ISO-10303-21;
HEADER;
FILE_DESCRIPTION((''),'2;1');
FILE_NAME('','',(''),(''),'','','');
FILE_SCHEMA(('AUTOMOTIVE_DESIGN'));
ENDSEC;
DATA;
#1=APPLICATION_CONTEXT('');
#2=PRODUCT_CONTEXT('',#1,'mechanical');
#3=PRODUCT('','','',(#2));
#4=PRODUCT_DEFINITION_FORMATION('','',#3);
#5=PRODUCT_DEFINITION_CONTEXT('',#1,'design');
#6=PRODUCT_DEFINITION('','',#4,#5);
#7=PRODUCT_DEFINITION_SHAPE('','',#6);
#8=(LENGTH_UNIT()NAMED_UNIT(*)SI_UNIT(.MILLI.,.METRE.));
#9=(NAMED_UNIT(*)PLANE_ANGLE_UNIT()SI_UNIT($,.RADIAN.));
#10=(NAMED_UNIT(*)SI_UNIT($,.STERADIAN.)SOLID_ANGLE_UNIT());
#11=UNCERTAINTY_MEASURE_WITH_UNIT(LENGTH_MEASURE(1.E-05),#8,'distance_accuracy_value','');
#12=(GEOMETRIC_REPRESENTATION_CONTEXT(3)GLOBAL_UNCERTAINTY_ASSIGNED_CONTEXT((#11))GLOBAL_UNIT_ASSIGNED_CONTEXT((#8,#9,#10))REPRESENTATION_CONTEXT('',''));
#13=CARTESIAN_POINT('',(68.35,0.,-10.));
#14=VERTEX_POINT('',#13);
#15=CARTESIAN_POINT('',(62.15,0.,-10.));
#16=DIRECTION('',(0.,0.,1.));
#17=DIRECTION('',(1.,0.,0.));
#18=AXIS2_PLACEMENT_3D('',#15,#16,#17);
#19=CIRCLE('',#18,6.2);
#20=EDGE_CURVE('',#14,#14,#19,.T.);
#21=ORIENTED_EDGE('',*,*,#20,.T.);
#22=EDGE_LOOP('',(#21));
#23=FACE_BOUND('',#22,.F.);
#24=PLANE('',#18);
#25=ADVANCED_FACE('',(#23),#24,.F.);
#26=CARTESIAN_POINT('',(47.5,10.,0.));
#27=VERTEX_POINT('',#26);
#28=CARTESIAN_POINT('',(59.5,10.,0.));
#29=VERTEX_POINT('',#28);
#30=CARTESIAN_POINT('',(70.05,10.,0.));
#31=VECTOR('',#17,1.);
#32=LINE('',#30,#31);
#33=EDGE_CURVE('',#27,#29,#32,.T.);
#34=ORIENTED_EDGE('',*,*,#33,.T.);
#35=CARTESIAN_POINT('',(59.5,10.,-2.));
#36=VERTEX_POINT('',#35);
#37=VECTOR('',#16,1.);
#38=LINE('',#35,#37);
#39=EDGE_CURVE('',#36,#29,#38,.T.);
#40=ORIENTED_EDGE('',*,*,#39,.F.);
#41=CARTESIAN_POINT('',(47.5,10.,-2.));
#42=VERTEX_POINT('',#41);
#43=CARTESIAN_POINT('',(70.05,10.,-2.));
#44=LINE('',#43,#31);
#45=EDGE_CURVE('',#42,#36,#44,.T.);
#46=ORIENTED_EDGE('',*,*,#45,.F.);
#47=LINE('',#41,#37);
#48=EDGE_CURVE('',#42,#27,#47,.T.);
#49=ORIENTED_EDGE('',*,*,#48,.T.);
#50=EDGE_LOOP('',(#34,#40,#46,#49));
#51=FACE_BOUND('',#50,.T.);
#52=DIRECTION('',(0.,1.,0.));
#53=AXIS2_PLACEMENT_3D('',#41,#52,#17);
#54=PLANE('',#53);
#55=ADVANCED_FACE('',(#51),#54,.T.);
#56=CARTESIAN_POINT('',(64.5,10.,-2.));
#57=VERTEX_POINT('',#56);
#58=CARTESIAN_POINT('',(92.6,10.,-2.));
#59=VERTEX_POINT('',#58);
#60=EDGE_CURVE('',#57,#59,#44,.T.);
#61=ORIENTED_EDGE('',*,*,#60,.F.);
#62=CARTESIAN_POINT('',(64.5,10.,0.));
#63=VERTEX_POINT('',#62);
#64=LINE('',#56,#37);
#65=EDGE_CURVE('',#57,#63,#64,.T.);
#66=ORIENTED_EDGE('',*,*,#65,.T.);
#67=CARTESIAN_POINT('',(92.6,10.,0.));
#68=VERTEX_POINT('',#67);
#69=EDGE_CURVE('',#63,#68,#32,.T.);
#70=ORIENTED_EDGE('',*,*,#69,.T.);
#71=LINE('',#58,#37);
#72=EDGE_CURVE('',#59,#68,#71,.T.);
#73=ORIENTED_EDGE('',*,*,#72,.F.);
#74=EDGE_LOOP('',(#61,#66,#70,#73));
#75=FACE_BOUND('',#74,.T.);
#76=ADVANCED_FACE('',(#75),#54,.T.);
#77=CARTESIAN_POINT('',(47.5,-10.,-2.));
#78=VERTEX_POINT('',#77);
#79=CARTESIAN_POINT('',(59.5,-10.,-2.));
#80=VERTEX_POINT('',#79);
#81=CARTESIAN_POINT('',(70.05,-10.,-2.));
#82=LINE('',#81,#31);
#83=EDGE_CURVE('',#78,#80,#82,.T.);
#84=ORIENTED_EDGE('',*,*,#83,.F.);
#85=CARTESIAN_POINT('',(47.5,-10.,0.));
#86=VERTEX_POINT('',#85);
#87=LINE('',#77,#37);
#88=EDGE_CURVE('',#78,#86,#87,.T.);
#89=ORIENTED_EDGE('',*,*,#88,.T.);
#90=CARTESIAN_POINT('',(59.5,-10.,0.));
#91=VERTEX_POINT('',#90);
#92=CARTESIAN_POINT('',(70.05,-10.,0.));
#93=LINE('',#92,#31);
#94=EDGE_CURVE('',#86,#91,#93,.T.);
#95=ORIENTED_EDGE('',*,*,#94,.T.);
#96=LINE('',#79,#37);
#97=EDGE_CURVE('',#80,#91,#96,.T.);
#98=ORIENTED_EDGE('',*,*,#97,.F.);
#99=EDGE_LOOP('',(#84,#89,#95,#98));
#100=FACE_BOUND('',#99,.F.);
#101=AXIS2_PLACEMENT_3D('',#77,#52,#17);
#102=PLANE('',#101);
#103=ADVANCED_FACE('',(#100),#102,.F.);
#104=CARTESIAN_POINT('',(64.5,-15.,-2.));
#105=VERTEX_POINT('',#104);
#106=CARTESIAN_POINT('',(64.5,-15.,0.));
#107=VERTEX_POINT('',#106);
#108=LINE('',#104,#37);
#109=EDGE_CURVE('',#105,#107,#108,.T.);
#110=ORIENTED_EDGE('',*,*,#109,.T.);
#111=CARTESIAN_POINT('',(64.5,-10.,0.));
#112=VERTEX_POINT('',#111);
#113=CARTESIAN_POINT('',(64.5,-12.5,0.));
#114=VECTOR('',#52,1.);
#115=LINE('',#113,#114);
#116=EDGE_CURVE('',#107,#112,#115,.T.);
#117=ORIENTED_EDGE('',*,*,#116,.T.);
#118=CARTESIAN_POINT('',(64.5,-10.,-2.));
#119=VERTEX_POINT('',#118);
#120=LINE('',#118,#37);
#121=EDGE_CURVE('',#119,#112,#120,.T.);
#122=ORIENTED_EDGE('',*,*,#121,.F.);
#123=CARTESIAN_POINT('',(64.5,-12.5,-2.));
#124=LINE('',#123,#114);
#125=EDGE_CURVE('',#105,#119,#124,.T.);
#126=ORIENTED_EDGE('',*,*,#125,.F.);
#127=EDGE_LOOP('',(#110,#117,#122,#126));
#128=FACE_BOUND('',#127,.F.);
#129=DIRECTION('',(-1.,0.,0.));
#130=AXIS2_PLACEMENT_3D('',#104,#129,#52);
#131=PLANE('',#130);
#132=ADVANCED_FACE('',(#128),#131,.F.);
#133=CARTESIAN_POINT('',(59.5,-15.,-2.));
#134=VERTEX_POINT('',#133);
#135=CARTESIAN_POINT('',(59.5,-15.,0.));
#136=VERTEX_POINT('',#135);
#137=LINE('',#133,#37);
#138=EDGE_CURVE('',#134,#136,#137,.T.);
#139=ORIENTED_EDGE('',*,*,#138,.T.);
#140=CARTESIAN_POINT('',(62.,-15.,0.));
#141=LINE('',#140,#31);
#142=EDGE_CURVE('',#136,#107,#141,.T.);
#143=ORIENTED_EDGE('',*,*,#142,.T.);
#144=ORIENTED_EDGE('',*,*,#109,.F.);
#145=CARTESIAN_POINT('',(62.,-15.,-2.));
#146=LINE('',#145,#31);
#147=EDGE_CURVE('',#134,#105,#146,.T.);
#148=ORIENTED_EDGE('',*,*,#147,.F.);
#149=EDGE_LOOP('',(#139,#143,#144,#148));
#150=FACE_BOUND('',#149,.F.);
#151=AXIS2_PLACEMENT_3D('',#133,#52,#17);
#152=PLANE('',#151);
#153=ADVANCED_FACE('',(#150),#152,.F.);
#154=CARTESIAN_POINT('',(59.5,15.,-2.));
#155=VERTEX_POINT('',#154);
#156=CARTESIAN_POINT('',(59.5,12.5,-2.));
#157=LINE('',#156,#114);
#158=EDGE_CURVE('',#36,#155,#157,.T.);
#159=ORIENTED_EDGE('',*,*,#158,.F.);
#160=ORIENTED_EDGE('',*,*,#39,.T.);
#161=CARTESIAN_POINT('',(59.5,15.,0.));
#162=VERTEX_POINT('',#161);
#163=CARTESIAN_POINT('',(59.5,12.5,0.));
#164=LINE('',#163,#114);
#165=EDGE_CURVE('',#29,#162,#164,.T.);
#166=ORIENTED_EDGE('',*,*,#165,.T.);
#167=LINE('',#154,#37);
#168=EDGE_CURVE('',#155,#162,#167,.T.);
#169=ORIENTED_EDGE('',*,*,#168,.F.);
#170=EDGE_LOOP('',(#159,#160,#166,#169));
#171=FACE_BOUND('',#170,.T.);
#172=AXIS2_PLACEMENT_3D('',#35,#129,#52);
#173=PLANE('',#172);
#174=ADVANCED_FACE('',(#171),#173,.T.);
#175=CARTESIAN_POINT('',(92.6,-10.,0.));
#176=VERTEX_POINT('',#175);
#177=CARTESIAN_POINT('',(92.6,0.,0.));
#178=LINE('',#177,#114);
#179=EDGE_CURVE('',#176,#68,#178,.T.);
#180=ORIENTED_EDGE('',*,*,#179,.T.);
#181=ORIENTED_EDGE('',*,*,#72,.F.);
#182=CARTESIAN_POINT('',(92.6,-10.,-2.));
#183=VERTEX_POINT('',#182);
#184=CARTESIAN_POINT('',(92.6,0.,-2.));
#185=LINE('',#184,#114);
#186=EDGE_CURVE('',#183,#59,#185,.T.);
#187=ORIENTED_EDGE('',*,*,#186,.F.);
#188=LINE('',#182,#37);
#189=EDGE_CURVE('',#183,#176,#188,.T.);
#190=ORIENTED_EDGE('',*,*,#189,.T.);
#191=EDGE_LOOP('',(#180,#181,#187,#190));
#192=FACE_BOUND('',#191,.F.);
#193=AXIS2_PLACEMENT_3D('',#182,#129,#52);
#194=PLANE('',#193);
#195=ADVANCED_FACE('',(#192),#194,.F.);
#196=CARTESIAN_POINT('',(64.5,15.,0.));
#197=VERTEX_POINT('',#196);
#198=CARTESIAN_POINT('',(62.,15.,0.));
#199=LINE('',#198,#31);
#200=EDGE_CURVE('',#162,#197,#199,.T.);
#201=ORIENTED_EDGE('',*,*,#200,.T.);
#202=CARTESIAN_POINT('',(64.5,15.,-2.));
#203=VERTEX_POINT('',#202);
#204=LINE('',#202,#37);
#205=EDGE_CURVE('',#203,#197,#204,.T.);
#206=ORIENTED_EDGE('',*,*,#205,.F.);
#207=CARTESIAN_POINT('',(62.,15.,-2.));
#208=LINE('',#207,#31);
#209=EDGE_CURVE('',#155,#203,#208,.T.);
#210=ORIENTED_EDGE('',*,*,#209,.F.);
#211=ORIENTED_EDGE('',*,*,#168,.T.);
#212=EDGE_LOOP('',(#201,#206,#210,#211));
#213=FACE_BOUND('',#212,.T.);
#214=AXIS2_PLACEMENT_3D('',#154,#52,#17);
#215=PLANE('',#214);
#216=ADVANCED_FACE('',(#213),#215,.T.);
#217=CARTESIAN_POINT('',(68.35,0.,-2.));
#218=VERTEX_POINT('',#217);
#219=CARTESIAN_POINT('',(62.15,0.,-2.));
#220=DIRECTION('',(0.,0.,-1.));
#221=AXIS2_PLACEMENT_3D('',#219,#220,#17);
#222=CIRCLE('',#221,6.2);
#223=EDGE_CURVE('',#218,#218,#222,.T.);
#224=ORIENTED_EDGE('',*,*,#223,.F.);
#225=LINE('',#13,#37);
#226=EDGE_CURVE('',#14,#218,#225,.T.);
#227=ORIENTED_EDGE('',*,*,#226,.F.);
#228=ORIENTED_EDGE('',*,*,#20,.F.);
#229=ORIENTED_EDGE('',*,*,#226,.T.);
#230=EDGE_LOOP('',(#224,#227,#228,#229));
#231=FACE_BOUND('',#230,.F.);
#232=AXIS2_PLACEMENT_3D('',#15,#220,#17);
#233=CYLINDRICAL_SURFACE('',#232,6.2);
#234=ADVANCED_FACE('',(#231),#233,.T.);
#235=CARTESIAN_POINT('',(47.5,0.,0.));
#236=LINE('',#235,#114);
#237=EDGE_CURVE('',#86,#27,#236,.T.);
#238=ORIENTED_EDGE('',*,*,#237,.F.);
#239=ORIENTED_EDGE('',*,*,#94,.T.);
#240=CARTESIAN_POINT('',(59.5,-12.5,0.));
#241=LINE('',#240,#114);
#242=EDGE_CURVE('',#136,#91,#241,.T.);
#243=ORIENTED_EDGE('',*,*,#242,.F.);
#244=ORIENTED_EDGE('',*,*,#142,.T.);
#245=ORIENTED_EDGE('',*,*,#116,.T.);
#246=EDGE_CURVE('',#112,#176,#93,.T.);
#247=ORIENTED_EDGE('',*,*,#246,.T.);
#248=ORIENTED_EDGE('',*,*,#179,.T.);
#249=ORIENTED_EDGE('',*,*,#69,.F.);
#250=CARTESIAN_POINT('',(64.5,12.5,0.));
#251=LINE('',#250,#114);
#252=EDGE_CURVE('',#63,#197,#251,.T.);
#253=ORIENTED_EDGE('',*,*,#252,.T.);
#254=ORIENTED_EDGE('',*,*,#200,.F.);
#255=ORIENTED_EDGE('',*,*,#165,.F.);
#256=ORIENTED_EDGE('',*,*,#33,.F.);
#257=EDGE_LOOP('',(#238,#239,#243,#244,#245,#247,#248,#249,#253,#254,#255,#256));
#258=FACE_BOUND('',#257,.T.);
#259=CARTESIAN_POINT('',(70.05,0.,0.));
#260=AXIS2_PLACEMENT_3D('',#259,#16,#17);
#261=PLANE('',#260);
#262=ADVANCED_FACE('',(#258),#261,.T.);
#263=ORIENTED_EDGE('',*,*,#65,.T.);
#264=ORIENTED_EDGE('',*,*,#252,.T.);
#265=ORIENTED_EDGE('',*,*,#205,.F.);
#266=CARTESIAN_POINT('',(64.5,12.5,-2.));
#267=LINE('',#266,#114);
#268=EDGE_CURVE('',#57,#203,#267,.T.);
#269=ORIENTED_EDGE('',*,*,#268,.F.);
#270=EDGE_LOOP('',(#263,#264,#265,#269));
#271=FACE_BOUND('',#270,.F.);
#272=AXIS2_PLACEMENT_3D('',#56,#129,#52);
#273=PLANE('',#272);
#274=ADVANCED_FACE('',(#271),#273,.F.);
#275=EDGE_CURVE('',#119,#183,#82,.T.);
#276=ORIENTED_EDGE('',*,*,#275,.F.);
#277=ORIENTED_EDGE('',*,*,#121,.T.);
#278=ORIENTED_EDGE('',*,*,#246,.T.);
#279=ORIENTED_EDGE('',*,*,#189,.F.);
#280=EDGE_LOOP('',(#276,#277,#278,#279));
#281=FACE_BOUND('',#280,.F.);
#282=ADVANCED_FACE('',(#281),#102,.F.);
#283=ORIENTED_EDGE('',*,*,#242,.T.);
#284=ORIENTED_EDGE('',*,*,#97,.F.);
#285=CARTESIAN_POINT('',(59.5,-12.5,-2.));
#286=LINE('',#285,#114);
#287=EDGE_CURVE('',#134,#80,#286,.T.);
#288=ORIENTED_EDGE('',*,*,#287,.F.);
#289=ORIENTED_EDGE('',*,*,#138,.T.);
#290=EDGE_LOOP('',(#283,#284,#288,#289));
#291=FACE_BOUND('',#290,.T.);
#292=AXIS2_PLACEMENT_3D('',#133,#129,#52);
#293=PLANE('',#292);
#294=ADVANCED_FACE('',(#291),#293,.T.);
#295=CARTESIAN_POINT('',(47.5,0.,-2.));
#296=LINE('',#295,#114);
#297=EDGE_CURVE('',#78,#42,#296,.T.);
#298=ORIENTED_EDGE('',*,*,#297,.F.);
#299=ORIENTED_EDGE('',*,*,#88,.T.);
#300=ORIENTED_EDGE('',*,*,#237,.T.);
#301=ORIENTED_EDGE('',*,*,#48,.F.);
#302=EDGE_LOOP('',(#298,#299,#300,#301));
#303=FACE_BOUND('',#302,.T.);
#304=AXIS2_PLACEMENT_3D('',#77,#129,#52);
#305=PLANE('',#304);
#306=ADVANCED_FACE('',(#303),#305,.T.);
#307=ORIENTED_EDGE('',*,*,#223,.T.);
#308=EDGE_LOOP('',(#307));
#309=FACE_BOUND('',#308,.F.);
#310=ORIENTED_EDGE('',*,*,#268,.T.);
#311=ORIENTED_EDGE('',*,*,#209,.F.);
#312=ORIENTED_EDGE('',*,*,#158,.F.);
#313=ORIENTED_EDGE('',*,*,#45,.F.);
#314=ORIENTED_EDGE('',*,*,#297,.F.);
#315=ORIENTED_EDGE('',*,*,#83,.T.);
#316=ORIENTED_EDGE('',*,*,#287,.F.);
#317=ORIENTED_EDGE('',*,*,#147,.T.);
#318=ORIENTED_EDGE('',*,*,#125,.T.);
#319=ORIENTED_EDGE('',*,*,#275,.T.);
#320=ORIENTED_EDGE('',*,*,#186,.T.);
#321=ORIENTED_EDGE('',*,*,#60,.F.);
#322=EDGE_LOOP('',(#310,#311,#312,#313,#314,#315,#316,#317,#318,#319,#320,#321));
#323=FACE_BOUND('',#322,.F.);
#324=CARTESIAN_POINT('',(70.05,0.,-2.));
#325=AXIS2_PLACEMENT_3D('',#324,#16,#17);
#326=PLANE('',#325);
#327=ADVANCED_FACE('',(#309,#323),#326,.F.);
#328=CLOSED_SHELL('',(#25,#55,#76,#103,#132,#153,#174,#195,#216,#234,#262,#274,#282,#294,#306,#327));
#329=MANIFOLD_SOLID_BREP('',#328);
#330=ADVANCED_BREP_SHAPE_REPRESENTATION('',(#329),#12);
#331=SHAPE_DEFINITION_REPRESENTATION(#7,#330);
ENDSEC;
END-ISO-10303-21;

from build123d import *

# Parameters (mm, degrees)
CYLINDER003_R     = 6.2
CYLINDER003_DEPTH = 10
BOX006_W          = 45.1
BOX006_H          = 20
BOX006_DEPTH      = 2
BOX005_W          = 5
BOX005_H          = 5
BOX005_DEPTH      = 2
BOX004_W          = 5
BOX004_H          = 5
BOX004_DEPTH      = 2


with BuildPart() as cylinder:
    # Cylinder003 → Cylinder003 (new body)
    with BuildSketch(Plane(origin=(62.15, 0, -10), x_dir=(1, 0, 0), z_dir=(0, 0, 1))):
        Circle(CYLINDER003_R)
    extrude(amount=CYLINDER003_DEPTH)


with BuildPart() as cube003:
    # Box006 → Box006 (new body)
    with BuildSketch(Plane(origin=(47.5, -10, -2), x_dir=(1, 0, 0), z_dir=(0, 0, 1))):
        with Locations((22.55, 10)):
            Rectangle(BOX006_W, BOX006_H)
    extrude(amount=BOX006_DEPTH)


with BuildPart() as cube002:
    # Box005 → Box005 (new body)
    with BuildSketch(Plane(origin=(59.5, 10, -2), x_dir=(1, 0, 0), z_dir=(0, 0, 1))):
        with Locations((2.5, 2.5)):
            Rectangle(BOX005_W, BOX005_H)
    extrude(amount=BOX005_DEPTH)


with BuildPart() as corta_cilindo_solo:
    # Box004 → Box004 (new body)
    with BuildSketch(Plane(origin=(59.5, -15, -2), x_dir=(1, 0, 0), z_dir=(0, 0, 1))):
        with Locations((2.5, 2.5)):
            Rectangle(BOX004_W, BOX004_H)
    extrude(amount=BOX004_DEPTH)

    # Fusion004: union Cube002
    add(cube002.part)

    # Fusion005: union Cube003
    add(cube003.part)

    # Fusion006: union Cylinder
    add(cylinder.part)


solid = corta_cilindo_solo.part
